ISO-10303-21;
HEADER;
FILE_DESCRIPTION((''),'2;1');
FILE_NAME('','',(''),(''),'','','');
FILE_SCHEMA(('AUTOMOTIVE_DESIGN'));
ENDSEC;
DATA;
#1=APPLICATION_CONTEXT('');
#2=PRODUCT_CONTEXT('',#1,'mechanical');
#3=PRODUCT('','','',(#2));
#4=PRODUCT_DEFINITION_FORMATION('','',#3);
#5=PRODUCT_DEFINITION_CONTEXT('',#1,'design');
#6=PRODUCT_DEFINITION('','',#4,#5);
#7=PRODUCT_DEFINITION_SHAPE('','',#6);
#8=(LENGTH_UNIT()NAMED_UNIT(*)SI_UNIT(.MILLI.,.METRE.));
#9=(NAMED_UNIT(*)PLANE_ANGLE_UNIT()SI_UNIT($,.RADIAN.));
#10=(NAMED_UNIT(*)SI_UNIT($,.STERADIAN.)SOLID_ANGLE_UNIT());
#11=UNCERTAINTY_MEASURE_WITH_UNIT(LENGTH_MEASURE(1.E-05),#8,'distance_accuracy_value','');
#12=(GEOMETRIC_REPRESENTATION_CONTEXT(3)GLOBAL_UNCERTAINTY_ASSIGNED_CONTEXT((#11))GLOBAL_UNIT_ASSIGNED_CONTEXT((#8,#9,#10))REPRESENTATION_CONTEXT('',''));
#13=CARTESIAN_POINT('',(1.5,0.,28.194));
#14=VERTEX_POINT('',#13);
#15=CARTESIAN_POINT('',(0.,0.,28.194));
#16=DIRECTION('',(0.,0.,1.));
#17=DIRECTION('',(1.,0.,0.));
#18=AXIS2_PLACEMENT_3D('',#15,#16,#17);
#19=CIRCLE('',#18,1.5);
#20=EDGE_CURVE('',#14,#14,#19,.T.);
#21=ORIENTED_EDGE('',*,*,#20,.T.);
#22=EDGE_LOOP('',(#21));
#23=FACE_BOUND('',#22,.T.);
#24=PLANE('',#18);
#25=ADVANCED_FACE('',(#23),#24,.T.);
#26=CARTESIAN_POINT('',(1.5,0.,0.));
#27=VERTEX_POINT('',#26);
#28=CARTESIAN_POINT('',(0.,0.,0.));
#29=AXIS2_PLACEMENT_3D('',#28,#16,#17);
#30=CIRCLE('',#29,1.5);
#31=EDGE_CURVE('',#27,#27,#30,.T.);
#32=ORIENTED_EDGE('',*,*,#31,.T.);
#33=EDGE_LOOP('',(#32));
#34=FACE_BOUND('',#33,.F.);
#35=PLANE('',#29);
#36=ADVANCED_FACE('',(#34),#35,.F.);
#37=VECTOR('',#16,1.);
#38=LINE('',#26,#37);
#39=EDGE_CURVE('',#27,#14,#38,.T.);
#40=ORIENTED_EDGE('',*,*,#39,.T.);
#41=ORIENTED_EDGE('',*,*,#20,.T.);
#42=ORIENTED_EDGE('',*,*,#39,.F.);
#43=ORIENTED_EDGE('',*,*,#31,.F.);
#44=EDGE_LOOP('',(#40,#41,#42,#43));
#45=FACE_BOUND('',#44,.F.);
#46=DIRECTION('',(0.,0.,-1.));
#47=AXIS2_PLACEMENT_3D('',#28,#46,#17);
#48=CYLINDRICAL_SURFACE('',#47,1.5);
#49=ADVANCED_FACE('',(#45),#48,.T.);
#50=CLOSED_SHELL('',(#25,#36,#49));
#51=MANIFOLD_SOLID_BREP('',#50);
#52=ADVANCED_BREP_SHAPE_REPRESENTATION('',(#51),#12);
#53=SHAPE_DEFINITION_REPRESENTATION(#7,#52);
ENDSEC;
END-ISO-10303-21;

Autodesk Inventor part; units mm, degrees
ref_plane "YZ Plane" through (0, 0, 0) normal (1, 0, 0) x (0, 1, 0)
ref_plane "XZ Plane" through (0, 0, 0) normal (0, 1, 0) x (-1, 0, 0)
ref_plane "XY Plane" through (0, 0, 0) normal (0, 0, 1) x (1, 0, 0)
sketch "Sketch1" plane through (0, 0, 0) normal (0, 0, 1) x (1, 0, 0)
  circle A0 centre (0, 0) radius 1.5
  dimension "d0" = 3
extrude "Extrusion1" add sketch "Sketch1" along normal blind 28.194
properties part number "transfer gear rod end"
